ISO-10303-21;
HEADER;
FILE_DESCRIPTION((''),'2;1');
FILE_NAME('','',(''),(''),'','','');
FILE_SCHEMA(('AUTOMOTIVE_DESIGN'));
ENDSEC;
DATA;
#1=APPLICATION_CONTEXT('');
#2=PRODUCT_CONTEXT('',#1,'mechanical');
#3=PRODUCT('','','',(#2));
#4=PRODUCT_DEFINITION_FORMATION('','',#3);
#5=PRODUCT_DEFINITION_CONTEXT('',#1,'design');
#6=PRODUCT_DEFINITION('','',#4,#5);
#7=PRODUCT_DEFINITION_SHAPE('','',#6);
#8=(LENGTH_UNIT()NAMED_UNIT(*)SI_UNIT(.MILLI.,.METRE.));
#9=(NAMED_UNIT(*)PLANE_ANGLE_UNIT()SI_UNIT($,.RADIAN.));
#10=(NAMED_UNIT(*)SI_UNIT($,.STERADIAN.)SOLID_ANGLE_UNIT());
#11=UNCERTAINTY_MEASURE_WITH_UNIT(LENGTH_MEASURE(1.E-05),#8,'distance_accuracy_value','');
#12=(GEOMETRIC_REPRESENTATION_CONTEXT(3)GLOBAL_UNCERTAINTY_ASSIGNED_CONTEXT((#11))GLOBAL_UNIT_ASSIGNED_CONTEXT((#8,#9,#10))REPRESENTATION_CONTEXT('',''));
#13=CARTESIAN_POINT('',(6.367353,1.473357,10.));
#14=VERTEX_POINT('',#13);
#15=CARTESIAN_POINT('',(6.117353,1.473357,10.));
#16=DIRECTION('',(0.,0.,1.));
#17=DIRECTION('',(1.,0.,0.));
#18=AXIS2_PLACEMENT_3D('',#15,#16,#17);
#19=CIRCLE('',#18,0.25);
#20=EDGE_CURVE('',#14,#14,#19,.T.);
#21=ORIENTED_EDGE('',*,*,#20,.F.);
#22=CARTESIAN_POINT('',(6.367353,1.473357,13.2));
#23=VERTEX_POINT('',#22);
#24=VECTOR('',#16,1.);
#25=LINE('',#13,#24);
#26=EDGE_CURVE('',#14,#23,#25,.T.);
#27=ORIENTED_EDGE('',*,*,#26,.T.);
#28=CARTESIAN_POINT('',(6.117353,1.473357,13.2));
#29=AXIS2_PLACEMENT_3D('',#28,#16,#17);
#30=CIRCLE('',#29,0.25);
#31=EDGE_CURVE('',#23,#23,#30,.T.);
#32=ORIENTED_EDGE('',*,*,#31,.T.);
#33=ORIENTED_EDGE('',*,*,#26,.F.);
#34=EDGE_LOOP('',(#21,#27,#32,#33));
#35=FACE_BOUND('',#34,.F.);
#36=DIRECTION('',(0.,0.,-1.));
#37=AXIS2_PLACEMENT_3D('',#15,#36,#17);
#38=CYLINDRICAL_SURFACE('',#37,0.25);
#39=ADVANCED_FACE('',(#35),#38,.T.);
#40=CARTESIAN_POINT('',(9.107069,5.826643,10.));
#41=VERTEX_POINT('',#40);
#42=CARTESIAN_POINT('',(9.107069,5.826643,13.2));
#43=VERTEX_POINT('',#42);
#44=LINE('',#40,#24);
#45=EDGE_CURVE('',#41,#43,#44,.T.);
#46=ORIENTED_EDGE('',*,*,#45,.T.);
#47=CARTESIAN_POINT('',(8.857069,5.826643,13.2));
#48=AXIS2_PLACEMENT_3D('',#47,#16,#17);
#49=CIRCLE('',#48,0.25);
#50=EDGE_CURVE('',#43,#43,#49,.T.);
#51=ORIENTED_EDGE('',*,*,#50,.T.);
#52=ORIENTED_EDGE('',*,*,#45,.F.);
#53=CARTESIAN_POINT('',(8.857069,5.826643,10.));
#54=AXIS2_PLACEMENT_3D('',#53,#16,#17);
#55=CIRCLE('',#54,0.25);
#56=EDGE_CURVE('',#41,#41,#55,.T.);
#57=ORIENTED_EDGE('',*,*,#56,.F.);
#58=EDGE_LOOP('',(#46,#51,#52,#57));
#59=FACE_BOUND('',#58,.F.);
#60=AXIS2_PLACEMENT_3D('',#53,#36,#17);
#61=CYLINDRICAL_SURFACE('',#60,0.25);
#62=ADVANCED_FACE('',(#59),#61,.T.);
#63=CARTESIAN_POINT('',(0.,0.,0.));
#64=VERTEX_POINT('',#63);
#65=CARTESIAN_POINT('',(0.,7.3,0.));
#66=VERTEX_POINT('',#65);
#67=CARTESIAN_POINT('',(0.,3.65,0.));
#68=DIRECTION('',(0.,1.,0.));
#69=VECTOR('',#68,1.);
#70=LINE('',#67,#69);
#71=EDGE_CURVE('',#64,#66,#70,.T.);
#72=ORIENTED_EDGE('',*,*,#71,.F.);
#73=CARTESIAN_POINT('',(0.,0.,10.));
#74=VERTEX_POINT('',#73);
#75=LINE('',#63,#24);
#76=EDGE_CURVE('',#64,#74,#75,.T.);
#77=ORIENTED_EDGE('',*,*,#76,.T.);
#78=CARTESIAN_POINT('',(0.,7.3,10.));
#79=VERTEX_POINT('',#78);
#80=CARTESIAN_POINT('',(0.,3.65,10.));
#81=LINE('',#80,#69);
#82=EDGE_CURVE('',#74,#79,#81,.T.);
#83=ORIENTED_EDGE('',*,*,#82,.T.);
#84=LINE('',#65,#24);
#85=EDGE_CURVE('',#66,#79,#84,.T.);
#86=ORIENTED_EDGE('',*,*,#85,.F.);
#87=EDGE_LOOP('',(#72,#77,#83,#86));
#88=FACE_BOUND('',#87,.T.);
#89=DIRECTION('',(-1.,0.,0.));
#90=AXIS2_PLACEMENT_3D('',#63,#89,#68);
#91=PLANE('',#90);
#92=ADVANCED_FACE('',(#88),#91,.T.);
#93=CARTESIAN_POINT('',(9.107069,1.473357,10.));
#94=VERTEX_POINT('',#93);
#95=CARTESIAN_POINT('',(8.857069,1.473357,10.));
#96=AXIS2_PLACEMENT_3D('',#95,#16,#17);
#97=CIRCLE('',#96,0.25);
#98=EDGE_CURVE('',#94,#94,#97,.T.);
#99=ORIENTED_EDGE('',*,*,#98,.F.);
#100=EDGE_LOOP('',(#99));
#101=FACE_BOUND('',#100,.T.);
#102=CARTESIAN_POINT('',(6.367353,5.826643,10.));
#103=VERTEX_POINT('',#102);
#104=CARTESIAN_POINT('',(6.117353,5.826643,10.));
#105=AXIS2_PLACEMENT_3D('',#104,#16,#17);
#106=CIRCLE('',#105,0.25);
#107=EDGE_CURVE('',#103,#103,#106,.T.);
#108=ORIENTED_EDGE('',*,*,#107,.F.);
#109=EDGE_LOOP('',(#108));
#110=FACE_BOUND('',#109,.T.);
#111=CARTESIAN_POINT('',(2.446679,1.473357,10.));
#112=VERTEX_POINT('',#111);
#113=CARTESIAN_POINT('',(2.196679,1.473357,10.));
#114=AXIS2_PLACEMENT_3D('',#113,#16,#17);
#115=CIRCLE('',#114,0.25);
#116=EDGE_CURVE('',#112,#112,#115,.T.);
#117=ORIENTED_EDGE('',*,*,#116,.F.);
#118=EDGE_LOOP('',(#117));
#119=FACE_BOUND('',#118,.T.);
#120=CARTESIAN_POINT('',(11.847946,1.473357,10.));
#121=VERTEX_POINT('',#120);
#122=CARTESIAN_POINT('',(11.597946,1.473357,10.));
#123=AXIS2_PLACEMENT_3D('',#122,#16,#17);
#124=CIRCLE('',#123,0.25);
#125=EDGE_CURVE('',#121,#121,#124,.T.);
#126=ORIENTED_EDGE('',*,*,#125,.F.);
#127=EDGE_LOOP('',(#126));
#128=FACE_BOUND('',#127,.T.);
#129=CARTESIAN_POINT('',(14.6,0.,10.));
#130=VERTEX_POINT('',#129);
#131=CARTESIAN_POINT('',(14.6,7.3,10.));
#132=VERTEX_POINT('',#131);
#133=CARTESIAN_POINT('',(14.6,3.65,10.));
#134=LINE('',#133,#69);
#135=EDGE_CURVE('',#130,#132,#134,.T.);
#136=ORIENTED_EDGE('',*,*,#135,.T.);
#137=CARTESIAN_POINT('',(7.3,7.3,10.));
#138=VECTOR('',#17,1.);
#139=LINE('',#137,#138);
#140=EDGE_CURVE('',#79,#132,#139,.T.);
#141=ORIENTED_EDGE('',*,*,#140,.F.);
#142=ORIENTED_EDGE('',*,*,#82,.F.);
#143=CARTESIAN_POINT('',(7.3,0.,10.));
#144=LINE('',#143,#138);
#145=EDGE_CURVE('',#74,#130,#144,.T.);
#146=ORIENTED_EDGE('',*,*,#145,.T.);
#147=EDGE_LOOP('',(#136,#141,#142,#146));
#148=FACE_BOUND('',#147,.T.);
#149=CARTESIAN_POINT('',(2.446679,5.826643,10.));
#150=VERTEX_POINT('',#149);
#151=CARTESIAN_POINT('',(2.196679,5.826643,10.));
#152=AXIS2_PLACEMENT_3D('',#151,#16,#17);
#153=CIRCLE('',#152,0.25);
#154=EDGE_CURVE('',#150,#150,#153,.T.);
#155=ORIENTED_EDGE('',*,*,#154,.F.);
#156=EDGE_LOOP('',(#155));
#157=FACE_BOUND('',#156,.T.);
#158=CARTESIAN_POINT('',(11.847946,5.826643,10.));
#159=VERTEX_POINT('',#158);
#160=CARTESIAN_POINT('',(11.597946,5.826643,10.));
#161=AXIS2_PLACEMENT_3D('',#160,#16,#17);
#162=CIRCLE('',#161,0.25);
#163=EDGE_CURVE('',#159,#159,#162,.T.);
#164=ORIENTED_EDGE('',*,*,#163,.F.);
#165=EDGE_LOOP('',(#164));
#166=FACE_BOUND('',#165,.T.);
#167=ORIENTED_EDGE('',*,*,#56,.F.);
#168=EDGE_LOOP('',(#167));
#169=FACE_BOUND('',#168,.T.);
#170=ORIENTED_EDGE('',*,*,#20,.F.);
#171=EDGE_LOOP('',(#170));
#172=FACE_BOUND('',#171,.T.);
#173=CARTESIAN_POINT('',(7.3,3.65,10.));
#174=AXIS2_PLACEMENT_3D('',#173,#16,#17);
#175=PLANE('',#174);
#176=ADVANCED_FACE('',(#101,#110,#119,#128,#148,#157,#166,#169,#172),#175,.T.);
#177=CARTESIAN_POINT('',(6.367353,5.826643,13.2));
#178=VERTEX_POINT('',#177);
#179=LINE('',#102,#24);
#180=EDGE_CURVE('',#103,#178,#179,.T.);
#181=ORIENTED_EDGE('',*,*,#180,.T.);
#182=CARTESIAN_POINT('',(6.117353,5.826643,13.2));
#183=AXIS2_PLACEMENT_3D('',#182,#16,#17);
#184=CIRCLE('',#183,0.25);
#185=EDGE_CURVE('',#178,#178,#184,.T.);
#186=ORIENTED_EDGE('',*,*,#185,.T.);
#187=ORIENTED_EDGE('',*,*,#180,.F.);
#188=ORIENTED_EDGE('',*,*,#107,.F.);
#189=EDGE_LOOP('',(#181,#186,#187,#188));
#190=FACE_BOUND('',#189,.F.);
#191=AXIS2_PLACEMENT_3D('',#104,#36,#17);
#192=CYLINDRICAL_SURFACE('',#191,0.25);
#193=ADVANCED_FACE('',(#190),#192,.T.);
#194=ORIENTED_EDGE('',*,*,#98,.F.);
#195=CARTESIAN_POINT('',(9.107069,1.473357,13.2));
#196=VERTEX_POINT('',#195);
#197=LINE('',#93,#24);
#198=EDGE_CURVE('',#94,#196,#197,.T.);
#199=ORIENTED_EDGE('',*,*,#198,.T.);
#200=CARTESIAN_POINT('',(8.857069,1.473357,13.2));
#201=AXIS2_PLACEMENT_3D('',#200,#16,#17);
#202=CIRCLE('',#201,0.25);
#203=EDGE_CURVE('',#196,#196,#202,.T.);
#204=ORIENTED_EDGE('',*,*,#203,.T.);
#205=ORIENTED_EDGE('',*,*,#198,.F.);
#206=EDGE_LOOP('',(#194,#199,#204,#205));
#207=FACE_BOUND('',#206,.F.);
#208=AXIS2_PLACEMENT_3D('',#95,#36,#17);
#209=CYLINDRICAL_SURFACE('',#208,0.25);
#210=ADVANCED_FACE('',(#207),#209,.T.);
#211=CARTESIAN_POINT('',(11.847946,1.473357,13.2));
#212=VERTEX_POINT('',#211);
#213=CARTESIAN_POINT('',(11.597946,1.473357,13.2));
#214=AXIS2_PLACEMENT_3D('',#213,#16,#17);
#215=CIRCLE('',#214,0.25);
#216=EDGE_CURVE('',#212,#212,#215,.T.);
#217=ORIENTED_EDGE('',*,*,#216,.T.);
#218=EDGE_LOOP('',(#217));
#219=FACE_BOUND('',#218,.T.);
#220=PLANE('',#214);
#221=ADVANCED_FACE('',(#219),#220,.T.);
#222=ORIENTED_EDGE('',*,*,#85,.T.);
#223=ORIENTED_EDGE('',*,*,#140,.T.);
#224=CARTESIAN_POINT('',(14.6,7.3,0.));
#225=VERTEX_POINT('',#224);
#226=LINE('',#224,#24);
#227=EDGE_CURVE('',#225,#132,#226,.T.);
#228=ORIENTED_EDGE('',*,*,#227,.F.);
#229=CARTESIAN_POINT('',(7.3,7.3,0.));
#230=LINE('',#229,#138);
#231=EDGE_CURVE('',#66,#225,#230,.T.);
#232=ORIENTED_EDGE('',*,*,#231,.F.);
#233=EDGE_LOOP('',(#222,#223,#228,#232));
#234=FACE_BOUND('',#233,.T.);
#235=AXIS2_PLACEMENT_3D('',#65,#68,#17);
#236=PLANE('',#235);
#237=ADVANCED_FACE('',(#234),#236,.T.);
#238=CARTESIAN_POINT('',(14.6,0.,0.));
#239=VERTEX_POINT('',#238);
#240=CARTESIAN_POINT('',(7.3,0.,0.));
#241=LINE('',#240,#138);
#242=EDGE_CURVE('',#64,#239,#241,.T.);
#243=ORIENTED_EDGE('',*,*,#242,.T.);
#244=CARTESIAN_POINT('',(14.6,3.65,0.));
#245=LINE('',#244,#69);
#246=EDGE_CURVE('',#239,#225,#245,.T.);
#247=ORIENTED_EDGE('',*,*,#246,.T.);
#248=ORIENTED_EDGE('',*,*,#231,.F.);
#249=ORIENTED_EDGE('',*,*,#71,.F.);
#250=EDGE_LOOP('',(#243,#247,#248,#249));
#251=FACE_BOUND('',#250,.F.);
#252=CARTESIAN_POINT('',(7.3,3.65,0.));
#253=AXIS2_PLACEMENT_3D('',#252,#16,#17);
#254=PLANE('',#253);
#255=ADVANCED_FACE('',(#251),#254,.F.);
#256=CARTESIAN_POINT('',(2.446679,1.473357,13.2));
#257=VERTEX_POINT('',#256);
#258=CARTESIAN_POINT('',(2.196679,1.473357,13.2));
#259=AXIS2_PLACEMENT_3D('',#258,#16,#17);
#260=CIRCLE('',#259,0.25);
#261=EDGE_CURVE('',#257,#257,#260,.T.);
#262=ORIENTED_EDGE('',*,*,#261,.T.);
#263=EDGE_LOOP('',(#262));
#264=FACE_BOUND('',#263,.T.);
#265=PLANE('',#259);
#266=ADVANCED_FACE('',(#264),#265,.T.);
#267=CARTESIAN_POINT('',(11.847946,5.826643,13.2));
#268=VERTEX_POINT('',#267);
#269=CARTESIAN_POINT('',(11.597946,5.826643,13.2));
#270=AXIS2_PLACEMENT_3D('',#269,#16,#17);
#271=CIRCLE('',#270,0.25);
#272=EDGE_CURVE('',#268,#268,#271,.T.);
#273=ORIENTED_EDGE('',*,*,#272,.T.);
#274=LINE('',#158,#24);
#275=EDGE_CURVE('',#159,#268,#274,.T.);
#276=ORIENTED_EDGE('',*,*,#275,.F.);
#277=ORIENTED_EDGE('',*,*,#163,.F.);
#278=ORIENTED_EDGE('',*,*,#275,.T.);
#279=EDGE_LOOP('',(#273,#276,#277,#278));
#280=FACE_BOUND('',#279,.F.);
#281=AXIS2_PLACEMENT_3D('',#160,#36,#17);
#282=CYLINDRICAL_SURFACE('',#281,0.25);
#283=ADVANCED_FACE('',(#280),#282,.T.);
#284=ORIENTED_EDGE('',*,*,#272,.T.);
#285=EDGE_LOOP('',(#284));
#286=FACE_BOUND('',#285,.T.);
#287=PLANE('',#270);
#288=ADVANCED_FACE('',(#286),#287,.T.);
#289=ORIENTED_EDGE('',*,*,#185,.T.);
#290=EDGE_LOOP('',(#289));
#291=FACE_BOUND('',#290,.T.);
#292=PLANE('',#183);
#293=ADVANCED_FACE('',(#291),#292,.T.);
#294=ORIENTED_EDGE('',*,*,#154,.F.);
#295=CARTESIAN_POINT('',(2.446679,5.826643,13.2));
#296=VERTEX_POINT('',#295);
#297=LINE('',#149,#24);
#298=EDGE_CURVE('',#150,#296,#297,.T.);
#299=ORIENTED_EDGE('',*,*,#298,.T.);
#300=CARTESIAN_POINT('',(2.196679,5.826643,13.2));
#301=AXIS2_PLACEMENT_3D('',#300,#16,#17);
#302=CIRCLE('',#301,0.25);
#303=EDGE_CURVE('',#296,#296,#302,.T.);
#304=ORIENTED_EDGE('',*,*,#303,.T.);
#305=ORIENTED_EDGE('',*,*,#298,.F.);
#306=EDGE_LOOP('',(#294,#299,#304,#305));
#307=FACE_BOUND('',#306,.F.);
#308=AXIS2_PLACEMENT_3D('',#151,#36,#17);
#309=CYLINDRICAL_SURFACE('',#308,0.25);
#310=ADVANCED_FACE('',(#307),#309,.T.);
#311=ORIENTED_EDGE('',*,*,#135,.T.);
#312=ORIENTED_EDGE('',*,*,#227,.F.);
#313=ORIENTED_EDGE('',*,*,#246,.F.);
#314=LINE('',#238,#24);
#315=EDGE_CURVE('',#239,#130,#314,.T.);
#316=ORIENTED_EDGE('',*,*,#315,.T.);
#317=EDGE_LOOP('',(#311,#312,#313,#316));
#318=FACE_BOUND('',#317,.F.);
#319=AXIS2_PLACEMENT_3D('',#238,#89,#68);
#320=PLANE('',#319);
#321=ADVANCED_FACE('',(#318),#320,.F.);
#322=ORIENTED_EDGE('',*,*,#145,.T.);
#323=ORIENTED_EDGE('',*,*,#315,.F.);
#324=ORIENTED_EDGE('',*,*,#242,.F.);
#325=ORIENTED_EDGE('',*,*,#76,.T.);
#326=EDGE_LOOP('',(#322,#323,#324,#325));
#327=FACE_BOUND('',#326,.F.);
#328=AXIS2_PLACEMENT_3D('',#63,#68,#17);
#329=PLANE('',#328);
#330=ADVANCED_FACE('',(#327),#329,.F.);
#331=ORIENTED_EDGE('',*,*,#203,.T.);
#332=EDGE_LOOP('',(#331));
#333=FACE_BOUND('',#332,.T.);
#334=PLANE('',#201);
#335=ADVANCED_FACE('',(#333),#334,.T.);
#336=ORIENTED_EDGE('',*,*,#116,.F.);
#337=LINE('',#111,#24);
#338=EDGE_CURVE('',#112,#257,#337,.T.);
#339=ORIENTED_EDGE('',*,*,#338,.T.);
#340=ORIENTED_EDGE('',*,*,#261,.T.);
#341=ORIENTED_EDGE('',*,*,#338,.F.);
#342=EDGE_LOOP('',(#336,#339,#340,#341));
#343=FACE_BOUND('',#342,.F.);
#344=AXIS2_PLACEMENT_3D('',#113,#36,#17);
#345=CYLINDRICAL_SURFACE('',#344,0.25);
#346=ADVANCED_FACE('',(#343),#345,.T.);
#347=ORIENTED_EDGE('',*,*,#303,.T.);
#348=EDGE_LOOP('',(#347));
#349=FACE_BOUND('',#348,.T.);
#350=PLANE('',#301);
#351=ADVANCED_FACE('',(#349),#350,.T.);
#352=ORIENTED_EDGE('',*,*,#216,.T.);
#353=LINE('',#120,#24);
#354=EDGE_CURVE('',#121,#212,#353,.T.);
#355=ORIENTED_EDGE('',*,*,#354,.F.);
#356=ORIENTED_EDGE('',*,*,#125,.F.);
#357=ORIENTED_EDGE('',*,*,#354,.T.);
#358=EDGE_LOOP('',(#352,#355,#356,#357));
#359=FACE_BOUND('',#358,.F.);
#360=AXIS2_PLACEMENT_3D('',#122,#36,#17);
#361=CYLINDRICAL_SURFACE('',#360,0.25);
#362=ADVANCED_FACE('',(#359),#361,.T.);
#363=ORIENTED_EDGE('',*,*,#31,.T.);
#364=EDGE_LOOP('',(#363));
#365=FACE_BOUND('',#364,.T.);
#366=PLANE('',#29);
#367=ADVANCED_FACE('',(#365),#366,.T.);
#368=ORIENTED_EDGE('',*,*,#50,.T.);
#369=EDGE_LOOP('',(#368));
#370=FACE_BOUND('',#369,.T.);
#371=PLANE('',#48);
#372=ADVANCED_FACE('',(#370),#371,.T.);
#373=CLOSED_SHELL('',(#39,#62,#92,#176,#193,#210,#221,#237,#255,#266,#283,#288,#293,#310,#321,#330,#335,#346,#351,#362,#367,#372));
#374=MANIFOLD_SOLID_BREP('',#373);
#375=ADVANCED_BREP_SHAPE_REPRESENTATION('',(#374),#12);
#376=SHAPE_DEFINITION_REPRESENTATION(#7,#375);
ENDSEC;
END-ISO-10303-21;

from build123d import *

# Parameters (mm, degrees)
F0_W     = 14.6
F0_H     = 7.3
F1_DEPTH = 10
F2_R     = 0.25
F3_DEPTH = 3.2


with BuildPart() as f1:
    # F0 (on Top) → F1 (new body)
    with BuildSketch(Plane.XY):
        with Locations((7.3, 3.65)):
            Rectangle(F0_W, F0_H)
    extrude(amount=F1_DEPTH)

    # F2 (on face) → F3 (join)
    with BuildSketch(Plane.XY.offset(10)):
        with Locations((2.196679, 5.826643)):
            Circle(F2_R)
        with Locations((2.196679, 1.473357)):
            Circle(F2_R)
        with Locations((6.117353, 1.473357)):
            Circle(F2_R)
        with Locations((6.117353, 5.826643)):
            Circle(F2_R)
        with Locations((8.857069, 5.826643)):
            Circle(F2_R)
        with Locations((11.597946, 5.826643)):
            Circle(F2_R)
        with Locations((11.597946, 1.473357)):
            Circle(F2_R)
        with Locations((8.857069, 1.473357)):
            Circle(F2_R)
    extrude(amount=F3_DEPTH)


solid = f1.part
